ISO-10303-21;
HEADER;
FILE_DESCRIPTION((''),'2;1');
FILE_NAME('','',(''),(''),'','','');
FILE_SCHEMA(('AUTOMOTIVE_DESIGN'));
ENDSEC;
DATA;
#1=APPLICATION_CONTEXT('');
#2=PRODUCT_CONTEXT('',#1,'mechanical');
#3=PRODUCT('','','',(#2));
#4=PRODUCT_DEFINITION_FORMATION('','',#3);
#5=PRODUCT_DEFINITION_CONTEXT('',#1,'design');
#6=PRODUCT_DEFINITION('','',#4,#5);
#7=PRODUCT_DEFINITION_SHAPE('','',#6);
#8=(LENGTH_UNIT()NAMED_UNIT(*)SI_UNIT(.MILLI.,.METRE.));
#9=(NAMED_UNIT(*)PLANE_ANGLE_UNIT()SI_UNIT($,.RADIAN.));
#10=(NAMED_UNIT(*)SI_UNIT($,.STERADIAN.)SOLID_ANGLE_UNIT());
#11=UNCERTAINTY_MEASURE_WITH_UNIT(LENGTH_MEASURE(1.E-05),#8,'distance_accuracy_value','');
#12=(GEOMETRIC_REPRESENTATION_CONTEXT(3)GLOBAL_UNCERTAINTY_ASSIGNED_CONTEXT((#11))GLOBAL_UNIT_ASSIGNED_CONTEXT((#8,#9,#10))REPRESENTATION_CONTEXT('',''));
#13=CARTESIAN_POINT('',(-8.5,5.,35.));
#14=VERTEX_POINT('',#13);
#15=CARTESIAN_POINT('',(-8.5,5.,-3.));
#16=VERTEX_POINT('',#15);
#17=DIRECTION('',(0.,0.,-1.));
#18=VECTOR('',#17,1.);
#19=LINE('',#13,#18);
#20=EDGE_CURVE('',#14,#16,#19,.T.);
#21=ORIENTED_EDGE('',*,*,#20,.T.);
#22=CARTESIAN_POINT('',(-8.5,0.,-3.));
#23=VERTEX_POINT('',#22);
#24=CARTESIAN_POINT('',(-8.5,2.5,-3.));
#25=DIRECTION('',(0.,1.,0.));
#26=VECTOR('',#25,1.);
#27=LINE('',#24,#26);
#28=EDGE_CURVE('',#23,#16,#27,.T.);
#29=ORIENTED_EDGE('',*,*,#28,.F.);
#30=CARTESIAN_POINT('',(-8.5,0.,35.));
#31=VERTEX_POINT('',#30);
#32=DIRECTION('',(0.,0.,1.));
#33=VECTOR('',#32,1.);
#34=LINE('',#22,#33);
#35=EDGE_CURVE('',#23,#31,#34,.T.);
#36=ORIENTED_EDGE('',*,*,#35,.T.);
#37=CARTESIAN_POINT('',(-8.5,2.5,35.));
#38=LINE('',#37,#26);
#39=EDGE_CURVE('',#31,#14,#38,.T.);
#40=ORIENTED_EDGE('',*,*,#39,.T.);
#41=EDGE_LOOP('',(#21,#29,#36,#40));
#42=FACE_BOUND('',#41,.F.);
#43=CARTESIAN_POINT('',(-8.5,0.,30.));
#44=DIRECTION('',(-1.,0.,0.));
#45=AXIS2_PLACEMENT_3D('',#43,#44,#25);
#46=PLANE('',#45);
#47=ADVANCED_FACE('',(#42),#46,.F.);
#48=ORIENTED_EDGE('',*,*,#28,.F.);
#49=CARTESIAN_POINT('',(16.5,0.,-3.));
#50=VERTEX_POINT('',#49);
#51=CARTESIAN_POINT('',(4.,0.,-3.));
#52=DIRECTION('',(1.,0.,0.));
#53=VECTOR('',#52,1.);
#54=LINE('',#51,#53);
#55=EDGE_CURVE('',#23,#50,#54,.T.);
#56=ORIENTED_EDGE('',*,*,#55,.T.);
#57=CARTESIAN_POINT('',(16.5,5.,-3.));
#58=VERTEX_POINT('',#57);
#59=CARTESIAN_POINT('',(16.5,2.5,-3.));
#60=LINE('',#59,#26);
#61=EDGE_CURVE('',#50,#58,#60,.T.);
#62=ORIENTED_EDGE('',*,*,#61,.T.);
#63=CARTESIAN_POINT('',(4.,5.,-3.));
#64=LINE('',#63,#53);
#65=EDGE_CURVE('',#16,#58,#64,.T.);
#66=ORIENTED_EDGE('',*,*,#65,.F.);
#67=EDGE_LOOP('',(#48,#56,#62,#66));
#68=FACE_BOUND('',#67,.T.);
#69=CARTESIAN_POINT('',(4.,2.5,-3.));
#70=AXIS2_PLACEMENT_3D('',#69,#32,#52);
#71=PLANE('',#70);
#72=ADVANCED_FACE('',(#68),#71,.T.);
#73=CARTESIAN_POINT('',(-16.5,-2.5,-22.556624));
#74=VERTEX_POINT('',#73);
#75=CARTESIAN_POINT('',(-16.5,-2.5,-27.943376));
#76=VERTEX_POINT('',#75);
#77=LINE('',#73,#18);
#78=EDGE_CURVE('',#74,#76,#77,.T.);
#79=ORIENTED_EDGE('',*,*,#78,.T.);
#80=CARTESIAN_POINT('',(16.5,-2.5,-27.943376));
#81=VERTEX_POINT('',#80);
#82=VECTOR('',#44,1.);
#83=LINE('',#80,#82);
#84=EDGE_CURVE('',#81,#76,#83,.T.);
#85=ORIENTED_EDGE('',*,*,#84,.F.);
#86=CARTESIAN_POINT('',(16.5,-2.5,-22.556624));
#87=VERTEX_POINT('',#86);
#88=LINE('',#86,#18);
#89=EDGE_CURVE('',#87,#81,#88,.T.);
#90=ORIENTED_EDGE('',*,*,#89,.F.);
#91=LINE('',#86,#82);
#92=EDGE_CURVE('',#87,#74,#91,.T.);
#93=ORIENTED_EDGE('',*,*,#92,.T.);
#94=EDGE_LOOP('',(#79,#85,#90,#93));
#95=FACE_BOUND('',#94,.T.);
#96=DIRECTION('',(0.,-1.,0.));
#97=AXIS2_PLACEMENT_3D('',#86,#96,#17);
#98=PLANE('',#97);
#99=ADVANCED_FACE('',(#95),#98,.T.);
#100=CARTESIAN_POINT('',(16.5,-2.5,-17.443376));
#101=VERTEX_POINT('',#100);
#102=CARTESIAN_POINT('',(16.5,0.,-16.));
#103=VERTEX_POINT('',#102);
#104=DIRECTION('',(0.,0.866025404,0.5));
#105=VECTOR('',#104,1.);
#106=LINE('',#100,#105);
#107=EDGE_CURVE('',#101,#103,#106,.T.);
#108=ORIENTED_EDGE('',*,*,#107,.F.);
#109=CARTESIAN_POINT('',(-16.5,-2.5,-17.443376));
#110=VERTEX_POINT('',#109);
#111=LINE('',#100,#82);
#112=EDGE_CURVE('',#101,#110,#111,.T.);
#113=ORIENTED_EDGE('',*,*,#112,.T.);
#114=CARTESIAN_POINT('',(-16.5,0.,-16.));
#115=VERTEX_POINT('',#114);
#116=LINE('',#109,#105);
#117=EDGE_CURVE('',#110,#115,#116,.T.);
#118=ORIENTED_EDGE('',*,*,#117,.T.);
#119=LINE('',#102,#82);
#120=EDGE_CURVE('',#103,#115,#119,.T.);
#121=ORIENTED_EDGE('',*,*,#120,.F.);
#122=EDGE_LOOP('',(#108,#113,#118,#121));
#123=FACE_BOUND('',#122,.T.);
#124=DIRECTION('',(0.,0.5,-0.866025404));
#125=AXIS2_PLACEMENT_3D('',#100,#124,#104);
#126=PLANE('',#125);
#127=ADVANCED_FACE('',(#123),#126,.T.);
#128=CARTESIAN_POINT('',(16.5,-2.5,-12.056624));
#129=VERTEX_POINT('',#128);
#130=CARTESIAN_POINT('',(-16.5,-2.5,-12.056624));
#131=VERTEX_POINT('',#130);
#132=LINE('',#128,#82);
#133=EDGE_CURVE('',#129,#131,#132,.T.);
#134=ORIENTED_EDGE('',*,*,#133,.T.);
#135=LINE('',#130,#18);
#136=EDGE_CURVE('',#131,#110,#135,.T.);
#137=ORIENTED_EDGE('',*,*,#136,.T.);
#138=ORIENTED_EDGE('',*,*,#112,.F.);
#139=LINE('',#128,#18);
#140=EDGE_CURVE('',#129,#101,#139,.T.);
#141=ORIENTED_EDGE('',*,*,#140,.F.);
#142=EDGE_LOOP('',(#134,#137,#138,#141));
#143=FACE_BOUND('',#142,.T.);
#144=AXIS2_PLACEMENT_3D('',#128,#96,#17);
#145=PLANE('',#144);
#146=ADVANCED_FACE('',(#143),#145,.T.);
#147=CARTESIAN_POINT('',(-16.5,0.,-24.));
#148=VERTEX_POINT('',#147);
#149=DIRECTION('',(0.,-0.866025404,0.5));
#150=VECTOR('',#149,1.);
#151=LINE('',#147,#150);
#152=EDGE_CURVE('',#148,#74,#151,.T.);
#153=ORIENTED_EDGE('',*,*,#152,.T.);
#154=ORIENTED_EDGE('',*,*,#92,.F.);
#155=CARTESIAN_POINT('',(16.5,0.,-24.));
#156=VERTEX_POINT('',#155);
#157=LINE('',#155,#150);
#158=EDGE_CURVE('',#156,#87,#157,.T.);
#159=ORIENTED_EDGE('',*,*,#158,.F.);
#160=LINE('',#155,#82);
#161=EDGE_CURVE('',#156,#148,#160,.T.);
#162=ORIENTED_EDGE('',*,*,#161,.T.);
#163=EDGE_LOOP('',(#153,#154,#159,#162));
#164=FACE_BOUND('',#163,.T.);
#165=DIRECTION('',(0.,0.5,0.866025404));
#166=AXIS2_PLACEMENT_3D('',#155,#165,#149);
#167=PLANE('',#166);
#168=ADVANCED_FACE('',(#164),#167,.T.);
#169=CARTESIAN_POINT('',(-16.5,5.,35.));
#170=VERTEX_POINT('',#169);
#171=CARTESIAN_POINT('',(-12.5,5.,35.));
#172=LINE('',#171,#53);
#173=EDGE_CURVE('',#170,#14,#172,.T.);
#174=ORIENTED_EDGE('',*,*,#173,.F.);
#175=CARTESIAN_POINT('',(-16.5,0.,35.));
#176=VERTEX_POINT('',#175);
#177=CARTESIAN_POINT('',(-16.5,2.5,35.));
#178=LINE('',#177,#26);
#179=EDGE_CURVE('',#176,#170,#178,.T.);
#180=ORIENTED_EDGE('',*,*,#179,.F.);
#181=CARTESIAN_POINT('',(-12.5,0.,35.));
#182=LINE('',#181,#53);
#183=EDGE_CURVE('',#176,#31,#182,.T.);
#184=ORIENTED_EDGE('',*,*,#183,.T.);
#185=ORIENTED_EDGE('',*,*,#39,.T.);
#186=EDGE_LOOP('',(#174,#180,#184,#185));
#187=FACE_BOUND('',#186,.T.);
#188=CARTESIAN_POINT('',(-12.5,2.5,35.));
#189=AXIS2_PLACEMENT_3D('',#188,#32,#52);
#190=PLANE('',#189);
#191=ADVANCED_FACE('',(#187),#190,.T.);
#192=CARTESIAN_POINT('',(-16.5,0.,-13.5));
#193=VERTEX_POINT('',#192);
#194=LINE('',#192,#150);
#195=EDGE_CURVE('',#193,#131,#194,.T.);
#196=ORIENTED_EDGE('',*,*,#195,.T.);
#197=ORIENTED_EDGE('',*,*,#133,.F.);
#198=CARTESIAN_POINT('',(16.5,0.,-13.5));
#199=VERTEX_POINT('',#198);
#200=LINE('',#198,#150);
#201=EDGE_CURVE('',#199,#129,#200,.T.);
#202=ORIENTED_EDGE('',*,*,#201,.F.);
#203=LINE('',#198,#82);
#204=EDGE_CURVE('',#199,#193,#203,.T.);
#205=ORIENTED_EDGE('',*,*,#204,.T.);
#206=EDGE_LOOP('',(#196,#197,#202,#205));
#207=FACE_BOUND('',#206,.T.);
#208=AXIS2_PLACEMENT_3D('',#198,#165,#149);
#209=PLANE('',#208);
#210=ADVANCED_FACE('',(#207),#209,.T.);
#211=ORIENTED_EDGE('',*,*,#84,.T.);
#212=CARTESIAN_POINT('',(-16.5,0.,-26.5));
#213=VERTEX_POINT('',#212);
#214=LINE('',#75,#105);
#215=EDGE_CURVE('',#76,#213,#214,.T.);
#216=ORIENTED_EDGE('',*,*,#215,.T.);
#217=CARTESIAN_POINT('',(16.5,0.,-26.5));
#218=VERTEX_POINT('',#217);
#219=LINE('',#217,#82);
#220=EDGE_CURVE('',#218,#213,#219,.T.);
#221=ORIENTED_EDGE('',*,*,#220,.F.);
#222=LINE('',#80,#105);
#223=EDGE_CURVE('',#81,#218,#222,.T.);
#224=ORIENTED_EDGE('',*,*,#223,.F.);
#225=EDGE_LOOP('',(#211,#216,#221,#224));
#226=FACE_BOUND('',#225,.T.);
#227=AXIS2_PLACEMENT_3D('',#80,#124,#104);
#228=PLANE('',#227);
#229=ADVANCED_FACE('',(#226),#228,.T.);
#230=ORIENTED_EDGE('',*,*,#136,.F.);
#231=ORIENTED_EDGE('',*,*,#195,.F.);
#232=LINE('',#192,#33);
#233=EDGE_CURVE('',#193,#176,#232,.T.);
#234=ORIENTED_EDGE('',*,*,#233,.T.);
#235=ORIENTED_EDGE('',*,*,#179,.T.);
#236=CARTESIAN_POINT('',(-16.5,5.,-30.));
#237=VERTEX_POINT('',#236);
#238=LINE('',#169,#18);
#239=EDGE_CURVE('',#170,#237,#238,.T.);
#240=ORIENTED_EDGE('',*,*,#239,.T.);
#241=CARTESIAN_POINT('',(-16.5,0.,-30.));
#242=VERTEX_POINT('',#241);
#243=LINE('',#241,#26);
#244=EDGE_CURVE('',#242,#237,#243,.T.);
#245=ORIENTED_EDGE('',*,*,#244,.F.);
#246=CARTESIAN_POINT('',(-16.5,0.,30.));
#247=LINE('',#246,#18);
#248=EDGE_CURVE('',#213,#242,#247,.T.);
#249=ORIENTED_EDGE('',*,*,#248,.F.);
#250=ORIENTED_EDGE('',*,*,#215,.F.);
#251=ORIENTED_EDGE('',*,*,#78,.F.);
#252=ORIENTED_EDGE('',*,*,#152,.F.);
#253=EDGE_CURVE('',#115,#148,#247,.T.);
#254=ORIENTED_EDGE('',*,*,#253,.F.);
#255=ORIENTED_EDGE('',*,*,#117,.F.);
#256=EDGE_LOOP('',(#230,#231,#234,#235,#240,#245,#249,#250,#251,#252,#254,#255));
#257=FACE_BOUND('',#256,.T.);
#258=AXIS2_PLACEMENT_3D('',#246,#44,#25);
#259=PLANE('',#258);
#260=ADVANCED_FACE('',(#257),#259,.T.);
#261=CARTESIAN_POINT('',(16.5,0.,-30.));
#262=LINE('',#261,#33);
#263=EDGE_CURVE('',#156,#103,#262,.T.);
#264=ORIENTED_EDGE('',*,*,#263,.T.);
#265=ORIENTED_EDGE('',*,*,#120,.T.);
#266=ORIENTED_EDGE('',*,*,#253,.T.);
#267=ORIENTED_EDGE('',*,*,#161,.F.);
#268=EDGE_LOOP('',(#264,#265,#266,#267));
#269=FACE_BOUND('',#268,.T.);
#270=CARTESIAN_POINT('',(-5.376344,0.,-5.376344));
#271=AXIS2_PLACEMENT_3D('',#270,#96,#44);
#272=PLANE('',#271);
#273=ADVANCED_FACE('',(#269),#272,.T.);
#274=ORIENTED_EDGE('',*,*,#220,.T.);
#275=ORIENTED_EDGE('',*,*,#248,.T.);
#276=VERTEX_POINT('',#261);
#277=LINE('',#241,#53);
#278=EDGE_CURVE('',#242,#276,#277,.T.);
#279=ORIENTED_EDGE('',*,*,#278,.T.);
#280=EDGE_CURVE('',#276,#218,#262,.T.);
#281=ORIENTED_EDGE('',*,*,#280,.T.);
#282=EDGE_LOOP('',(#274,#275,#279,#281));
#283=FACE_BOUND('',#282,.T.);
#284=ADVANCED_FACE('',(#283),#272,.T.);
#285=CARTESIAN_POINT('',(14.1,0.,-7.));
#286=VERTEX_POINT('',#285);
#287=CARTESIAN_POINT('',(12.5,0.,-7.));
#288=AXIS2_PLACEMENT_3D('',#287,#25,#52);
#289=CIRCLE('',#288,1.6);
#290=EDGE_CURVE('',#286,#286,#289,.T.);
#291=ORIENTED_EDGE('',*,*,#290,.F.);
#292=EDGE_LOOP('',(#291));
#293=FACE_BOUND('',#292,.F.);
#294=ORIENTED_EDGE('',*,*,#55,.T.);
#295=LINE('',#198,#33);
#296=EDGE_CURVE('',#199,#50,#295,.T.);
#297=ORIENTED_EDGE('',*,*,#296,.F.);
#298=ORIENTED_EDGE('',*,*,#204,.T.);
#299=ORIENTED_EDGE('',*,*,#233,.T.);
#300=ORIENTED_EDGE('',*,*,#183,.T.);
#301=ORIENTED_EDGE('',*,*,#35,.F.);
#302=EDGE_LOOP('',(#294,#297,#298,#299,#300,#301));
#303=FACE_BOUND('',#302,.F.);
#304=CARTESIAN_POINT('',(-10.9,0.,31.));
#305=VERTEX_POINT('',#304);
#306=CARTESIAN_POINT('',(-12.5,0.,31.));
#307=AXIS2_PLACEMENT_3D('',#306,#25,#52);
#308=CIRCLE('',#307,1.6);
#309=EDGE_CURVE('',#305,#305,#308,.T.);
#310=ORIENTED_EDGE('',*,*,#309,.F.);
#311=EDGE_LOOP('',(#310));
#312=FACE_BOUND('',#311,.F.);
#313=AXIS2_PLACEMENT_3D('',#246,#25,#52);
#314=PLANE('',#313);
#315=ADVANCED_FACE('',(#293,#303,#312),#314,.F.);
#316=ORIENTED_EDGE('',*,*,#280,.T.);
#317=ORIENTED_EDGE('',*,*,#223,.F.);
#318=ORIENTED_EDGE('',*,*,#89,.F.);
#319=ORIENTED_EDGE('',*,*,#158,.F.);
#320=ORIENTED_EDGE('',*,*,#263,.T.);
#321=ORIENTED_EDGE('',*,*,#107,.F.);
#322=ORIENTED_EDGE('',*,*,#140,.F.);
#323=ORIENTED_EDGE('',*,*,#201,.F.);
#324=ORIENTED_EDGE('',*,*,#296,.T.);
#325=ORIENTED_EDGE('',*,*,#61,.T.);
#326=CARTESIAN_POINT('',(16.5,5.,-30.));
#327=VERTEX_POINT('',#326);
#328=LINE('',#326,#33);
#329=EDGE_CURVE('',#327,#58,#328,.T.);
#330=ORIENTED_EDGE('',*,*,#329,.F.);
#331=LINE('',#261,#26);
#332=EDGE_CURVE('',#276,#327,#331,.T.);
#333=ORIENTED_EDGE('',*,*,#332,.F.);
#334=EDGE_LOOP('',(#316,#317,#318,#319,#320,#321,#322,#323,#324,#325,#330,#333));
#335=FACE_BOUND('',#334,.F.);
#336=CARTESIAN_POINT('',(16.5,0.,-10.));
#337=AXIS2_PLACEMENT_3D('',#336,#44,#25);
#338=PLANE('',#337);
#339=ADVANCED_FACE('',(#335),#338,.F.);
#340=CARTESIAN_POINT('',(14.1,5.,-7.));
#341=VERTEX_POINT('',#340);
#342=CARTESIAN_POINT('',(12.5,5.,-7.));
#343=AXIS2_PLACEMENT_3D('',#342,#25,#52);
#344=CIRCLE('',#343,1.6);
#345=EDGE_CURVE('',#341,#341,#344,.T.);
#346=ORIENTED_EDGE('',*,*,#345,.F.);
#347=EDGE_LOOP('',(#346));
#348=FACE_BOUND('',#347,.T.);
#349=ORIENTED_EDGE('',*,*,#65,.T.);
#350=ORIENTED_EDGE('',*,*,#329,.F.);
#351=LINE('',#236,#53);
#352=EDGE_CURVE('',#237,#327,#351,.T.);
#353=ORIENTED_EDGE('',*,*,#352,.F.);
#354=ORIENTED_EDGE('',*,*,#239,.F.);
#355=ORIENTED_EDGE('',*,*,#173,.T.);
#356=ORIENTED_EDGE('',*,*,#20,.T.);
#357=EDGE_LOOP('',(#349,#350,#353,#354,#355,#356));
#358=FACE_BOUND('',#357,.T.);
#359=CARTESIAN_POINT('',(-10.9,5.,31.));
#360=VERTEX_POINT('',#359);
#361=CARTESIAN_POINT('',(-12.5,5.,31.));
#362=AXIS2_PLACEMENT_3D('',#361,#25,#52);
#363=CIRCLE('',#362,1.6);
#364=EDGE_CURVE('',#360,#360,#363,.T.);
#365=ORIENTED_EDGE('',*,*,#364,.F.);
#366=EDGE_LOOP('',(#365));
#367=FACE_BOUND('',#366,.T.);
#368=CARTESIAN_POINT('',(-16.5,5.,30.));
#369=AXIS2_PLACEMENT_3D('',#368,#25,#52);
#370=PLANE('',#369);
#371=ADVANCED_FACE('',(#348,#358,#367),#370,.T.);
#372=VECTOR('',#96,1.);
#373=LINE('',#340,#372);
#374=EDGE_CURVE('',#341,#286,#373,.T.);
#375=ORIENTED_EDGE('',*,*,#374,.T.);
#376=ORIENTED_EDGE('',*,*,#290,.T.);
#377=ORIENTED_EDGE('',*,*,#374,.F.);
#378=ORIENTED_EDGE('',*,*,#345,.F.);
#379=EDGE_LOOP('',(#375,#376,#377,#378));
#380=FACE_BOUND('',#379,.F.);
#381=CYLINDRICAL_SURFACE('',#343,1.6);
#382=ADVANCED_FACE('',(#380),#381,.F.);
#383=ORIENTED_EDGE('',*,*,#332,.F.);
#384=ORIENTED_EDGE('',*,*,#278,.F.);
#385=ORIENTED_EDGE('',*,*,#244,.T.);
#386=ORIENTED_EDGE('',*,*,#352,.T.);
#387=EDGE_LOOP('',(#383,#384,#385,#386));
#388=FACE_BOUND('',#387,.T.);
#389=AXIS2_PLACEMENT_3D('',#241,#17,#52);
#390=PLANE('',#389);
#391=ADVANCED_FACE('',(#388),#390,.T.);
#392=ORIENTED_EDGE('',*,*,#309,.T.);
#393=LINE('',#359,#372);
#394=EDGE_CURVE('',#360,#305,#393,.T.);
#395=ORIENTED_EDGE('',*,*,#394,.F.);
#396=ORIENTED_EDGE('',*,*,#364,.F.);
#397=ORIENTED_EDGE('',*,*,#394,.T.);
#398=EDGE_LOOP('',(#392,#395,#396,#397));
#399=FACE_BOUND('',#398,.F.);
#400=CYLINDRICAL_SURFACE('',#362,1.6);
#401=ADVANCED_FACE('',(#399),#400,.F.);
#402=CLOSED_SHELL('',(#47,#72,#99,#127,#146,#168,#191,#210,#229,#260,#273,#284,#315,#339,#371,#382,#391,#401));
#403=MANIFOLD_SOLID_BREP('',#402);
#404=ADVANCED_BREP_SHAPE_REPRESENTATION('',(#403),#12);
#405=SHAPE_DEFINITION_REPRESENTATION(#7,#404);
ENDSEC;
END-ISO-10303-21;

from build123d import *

# Parameters (mm, degrees)
BOSS_EXTRUDE1_DEPTH = 5
BOSS_EXTRUDE3_DEPTH = 33
SKETCH4_W           = 25
SKETCH4_H           = 5
BOSS_EXTRUDE4_DEPTH = 7
SKETCH5_W           = 8
SKETCH5_H           = 5
BOSS_EXTRUDE5_DEPTH = 5
SKETCH6_R           = 1.6
CUT_EXTRUDE1_DEPTH  = 5


with BuildPart() as part:
    # Sketch1 → Boss-Extrude1 (new body)
    with BuildSketch(Plane(origin=(0, 0, 0), x_dir=(1, 0, 0), z_dir=(0, 1, 0))):
        Polygon((-8.5, 10), (-8.5, -30), (-16.5, -30), (-16.5, 30), (16.5, 30), (16.5, 10), align=None)
    extrude(amount=BOSS_EXTRUDE1_DEPTH)

    # Sketch3 → Boss-Extrude3 (add)
    with BuildSketch(Plane(origin=(16.5, 0, 0), x_dir=(0, 0, -1), z_dir=(1, 0, 0))):
        Polygon((17.443375673, -2.5), (16, 0), (13.5, 0), (12.056624327, -2.5), align=None)
        Polygon((22.556624327, -2.5), (27.943375673, -2.5), (26.5, 0), (24, 0), align=None)
    extrude(amount=-BOSS_EXTRUDE3_DEPTH)

    # Sketch4 → Boss-Extrude4 (add)
    with BuildSketch(Plane.XY.offset(-10)):
        with Locations((4, 2.5)):
            Rectangle(SKETCH4_W, SKETCH4_H)
    extrude(amount=BOSS_EXTRUDE4_DEPTH)

    # Sketch5 → Boss-Extrude5 (add)
    with BuildSketch(Plane.XY.offset(30)):
        with Locations((-12.5, 2.5)):
            Rectangle(SKETCH5_W, SKETCH5_H)
    extrude(amount=BOSS_EXTRUDE5_DEPTH)

    # Sketch6 → Cut-Extrude1 (cut)
    with BuildSketch(Plane(origin=(0, 5, 0), x_dir=(1, 0, 0), z_dir=(0, 1, 0))):
        with Locations((12.5, 7)):
            Circle(SKETCH6_R)
        with Locations((-12.5, -31)):
            Circle(SKETCH6_R)
    extrude(amount=-CUT_EXTRUDE1_DEPTH, mode=Mode.SUBTRACT)


solid = part.part
